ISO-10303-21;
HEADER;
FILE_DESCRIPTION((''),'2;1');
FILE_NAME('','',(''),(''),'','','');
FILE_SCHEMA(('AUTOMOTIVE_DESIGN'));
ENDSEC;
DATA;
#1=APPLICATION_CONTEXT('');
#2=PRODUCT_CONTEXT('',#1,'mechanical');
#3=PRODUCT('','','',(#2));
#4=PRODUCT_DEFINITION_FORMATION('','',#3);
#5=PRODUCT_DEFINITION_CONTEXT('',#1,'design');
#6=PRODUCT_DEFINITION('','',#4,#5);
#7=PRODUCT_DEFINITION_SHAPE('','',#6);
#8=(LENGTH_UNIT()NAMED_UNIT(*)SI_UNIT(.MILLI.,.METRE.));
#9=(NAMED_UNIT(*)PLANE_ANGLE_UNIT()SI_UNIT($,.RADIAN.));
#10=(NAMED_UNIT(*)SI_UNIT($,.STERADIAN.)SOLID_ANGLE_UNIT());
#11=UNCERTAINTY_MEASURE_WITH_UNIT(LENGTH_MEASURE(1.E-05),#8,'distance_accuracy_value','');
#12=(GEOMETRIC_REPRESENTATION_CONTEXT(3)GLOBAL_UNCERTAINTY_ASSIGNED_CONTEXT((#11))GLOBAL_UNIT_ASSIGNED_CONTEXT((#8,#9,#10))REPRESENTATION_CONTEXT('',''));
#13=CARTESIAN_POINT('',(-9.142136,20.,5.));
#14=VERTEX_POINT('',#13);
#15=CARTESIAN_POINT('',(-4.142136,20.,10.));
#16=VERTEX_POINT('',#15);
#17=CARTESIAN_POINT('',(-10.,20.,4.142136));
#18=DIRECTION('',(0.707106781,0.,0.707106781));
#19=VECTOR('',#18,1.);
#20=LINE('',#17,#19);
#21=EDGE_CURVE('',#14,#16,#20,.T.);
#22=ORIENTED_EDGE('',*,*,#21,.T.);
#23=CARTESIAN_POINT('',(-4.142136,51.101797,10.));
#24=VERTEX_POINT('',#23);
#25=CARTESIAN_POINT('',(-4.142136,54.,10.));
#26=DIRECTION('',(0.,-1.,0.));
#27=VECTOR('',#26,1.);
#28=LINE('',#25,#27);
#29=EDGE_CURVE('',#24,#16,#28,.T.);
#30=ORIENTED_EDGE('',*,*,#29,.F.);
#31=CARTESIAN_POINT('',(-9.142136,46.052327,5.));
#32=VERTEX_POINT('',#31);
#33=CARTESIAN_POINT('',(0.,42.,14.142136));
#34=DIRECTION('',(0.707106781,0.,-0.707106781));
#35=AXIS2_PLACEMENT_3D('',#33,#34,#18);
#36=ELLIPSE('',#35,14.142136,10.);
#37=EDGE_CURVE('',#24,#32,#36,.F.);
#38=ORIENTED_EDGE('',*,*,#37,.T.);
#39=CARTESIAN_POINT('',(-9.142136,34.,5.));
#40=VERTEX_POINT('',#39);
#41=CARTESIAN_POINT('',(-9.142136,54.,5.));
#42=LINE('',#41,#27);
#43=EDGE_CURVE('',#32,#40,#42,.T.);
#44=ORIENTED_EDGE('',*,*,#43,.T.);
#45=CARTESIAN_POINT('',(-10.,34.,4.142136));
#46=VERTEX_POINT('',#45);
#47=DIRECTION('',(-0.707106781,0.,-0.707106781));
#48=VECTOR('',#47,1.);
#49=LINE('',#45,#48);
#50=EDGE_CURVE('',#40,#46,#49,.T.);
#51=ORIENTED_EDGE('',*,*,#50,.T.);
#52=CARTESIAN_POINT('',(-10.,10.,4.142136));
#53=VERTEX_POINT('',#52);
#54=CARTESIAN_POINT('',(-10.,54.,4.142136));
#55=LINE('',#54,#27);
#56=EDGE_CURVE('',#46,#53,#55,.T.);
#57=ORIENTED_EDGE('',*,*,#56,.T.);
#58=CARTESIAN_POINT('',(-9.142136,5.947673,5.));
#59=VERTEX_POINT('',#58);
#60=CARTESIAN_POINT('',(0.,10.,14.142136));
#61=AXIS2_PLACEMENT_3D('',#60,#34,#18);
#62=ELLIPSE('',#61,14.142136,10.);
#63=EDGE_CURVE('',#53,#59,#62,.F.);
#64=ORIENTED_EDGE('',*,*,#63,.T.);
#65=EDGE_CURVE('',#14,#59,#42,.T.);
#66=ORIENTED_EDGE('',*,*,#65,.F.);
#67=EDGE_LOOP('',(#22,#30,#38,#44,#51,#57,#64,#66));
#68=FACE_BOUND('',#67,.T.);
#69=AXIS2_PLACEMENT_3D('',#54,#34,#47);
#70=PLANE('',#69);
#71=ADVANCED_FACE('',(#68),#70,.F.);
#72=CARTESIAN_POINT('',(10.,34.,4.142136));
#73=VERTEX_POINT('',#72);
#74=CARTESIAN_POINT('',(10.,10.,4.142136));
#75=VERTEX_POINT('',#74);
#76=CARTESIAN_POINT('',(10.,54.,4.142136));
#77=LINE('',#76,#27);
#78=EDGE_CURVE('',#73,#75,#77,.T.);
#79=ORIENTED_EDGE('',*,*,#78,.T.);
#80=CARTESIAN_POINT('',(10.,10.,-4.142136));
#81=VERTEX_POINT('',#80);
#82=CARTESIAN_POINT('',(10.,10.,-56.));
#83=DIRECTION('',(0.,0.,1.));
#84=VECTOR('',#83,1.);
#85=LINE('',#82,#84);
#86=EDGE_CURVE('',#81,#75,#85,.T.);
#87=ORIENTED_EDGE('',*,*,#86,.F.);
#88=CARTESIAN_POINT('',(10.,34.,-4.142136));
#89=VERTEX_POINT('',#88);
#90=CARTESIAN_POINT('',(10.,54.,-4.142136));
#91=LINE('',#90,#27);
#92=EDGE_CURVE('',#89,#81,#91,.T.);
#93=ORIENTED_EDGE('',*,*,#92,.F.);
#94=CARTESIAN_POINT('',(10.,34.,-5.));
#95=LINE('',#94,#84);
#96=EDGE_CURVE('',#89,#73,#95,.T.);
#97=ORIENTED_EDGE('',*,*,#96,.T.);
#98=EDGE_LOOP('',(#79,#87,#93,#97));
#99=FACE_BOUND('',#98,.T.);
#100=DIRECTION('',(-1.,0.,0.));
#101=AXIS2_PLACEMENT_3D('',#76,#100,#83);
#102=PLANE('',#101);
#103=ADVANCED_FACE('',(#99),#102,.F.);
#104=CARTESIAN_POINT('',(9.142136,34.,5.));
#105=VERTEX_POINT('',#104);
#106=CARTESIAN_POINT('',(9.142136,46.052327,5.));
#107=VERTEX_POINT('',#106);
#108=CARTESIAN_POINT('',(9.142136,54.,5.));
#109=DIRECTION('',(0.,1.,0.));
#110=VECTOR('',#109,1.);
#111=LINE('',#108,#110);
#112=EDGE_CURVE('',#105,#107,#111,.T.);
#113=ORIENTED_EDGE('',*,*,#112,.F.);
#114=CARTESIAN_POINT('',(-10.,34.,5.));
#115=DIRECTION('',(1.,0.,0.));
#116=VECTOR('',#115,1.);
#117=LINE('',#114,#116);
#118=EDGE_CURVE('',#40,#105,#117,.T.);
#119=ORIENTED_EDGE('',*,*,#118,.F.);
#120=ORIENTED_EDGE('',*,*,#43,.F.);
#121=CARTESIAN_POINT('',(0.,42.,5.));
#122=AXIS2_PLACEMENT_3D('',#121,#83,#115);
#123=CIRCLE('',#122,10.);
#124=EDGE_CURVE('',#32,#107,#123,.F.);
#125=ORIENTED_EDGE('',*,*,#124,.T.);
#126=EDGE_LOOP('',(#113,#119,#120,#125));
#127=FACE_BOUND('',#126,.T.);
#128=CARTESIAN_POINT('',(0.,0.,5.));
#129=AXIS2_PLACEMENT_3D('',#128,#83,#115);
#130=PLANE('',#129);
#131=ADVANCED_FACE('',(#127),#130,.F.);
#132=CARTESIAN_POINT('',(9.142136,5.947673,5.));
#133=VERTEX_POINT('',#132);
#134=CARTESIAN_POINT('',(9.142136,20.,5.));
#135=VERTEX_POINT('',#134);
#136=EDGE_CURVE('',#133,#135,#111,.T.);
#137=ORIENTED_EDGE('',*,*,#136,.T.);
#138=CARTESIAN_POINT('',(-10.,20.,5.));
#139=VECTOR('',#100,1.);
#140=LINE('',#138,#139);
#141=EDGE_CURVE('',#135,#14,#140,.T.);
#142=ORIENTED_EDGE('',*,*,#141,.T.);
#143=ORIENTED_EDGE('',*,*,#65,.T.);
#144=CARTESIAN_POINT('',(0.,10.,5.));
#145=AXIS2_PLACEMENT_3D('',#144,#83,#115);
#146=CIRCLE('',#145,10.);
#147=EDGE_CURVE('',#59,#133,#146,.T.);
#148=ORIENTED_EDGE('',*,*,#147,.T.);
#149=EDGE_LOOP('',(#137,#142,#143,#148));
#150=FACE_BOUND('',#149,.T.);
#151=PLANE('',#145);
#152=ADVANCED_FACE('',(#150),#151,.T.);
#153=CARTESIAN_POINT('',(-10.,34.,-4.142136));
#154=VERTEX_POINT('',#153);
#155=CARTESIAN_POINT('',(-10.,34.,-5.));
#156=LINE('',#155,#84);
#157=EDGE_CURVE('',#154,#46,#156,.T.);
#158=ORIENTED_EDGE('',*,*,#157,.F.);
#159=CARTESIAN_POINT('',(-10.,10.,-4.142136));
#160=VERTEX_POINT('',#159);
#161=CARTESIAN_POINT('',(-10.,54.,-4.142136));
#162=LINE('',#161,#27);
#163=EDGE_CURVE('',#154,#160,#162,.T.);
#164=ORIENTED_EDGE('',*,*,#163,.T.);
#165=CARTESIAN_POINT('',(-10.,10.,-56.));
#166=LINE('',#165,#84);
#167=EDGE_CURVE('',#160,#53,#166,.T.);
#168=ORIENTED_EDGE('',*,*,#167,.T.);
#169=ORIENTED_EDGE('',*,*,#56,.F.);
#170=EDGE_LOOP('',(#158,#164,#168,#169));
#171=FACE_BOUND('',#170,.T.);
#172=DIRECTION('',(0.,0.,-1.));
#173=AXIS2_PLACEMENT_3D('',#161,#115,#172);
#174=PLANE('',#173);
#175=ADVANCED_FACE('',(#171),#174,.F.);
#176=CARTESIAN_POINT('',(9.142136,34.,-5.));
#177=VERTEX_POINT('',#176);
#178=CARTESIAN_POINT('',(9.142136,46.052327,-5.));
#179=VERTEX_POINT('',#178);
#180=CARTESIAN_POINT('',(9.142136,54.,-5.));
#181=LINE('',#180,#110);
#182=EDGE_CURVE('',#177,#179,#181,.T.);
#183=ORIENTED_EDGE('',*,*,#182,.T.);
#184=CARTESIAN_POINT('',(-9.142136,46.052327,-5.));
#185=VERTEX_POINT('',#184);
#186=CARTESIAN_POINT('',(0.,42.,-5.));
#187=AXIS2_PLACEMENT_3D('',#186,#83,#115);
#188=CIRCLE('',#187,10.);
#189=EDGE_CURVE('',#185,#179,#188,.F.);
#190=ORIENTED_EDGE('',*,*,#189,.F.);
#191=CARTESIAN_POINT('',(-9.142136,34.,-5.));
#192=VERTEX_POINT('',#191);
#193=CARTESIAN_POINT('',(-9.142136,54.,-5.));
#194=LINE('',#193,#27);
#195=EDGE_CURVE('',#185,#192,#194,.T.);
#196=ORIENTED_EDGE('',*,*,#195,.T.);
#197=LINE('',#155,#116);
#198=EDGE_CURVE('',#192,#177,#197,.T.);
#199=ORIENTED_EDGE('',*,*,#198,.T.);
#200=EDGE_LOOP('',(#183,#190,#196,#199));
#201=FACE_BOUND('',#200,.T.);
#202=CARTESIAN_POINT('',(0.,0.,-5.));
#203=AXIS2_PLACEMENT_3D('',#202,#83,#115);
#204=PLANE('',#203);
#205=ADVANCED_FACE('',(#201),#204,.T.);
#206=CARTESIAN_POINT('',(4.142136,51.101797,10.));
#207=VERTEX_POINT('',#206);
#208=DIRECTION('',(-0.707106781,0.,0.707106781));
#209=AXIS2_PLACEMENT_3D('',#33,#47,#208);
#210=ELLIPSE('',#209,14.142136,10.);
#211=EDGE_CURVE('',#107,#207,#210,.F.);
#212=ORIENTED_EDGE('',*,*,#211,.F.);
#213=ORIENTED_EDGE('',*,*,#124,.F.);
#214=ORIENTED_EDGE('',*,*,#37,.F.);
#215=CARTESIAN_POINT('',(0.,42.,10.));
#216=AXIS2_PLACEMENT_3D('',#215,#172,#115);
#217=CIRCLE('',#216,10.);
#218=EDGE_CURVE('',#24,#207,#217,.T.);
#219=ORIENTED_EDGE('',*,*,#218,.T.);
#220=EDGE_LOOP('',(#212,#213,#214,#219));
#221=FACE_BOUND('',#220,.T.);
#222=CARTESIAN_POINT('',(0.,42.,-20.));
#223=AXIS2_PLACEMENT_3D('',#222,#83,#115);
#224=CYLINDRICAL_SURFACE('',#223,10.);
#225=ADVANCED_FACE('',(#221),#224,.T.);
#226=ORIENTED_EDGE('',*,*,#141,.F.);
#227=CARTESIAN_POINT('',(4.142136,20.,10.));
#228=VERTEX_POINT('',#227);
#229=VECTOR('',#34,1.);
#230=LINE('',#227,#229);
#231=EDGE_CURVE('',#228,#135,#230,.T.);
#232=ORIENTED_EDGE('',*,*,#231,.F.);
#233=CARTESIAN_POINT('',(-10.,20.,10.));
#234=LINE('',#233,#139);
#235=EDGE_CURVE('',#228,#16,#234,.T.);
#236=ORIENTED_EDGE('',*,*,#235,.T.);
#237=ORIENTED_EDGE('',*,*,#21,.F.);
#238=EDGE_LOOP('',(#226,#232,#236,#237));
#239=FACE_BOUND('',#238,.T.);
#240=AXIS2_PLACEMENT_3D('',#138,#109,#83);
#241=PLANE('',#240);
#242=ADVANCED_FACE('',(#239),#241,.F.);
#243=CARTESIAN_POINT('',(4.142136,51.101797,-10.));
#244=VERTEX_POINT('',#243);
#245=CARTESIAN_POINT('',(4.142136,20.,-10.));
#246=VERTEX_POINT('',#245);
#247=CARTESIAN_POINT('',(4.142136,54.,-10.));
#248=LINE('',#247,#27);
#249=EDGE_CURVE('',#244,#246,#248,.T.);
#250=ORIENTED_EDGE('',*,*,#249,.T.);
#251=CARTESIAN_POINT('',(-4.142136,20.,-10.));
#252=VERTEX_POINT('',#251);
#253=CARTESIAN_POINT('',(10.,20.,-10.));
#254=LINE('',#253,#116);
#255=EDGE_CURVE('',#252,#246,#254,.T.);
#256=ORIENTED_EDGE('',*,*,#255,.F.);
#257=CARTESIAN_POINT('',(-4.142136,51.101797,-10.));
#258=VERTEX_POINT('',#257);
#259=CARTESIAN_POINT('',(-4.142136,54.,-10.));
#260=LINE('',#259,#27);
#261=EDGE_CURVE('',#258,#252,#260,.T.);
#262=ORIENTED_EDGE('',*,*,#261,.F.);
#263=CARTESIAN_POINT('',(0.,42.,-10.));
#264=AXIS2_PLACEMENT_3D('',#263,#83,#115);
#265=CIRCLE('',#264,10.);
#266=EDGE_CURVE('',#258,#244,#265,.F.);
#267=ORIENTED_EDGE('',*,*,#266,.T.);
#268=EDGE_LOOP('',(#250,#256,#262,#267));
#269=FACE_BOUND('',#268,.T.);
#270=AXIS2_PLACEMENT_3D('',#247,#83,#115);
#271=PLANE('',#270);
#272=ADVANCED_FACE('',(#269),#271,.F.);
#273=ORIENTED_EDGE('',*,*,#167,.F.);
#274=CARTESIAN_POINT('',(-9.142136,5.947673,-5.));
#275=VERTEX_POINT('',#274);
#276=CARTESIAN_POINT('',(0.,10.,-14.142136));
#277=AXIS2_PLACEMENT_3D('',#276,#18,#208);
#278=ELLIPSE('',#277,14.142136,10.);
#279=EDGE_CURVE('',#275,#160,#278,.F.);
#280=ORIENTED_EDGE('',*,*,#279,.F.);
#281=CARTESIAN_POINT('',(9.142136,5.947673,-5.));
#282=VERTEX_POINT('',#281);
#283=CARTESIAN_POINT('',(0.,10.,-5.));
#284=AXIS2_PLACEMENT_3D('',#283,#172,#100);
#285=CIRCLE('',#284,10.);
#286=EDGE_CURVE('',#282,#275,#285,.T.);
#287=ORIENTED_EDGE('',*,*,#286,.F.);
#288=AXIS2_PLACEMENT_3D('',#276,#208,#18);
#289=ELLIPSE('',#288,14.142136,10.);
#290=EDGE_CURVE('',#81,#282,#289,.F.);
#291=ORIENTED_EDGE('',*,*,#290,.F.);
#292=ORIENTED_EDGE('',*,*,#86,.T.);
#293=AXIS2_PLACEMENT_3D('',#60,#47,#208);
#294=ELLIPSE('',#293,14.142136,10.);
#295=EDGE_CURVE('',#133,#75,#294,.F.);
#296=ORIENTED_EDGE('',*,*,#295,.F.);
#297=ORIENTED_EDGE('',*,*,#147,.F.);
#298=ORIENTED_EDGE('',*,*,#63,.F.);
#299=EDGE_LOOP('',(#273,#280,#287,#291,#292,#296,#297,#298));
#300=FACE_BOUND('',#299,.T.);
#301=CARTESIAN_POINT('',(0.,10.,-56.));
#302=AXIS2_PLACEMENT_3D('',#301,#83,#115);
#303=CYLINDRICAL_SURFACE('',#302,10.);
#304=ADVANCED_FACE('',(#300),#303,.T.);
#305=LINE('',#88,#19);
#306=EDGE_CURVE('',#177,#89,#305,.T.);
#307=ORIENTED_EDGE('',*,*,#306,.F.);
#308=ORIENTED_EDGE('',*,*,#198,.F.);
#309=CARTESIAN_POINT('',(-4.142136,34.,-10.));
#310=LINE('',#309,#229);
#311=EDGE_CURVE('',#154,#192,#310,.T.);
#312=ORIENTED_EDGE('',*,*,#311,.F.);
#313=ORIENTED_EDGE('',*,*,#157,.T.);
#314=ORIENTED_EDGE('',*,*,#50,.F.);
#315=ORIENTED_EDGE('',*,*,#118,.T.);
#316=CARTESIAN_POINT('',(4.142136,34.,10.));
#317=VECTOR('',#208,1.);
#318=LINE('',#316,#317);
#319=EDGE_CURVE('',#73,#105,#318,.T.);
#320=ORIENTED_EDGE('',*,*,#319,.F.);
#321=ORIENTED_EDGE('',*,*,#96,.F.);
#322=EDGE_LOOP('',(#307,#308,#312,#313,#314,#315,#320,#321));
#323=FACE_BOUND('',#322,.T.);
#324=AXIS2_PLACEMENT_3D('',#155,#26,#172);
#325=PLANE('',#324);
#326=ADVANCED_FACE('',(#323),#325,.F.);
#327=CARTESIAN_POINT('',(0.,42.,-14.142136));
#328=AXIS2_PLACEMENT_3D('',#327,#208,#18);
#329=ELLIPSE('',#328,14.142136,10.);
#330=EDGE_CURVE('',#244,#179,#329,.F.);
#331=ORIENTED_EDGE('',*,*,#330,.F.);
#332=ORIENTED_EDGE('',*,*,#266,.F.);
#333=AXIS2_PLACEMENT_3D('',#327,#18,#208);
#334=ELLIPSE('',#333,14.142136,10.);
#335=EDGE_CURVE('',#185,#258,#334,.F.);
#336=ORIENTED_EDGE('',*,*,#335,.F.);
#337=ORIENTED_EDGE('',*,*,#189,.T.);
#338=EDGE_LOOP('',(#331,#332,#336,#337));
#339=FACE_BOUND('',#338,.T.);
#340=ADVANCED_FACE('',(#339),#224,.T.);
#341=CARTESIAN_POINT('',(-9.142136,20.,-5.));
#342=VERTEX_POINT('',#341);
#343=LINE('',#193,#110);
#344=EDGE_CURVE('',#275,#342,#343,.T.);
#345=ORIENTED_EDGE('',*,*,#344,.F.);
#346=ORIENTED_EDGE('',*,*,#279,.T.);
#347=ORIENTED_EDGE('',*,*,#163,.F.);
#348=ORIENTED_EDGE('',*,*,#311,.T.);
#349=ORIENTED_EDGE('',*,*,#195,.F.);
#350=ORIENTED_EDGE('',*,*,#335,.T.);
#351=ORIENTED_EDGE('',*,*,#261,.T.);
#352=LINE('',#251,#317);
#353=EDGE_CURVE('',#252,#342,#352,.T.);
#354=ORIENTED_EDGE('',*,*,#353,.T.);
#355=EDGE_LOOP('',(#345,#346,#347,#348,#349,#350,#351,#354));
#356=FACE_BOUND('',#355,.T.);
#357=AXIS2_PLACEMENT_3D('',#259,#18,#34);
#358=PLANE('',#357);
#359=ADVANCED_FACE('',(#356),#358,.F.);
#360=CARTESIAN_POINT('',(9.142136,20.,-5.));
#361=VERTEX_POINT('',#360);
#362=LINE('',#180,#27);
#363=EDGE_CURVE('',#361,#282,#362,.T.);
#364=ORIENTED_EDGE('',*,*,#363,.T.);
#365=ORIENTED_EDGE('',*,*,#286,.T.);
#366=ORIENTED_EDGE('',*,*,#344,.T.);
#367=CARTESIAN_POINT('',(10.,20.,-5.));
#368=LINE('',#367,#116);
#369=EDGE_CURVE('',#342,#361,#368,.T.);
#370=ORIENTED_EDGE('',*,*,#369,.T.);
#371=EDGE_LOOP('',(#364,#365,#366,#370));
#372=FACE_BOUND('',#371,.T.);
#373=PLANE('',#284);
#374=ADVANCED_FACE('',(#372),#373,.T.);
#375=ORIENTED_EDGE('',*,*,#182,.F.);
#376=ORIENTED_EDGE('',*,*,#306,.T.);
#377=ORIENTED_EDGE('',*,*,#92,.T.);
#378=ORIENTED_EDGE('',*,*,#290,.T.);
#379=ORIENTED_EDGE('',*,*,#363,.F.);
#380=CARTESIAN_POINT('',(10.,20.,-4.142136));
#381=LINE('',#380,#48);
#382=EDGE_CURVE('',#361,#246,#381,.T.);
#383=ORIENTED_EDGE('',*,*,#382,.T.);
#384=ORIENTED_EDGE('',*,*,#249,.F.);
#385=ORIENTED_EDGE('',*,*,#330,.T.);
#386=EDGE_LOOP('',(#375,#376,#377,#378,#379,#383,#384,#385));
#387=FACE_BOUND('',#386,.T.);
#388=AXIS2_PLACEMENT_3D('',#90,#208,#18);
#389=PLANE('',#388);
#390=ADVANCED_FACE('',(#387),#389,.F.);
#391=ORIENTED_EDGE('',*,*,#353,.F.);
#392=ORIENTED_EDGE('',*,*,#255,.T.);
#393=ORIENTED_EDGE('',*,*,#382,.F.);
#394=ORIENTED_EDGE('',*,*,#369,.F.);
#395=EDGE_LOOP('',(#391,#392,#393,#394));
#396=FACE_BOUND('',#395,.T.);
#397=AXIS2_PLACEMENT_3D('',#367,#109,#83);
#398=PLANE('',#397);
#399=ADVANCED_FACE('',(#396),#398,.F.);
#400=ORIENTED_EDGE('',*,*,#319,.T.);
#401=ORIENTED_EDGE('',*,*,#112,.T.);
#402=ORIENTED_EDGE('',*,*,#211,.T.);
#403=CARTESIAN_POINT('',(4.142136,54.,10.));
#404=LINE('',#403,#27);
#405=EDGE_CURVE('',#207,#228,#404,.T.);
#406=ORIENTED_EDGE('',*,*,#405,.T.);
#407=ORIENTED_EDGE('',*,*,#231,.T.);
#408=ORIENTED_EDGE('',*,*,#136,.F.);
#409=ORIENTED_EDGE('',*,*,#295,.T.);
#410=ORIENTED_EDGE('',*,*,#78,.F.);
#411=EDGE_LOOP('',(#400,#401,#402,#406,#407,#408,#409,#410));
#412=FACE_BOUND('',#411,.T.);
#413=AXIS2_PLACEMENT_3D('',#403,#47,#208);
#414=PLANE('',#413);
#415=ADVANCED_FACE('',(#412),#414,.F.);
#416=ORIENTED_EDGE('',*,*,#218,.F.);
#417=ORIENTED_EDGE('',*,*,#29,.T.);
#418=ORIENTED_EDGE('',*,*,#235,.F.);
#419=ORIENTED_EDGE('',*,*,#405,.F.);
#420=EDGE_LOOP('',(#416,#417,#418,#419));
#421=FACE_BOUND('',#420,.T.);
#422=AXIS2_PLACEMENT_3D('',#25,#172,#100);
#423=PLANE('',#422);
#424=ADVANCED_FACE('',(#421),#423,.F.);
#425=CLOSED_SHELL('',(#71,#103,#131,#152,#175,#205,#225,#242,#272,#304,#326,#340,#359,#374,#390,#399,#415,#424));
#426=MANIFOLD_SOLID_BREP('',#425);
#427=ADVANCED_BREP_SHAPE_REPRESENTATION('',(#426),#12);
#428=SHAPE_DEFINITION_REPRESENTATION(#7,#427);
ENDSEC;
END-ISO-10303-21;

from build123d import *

# Parameters (mm, degrees)
EXTRUDE_1_DEPTH     = 54
CUT_EXTRUDE_1_DEPTH = 66
CUT_EXTRUDE_2_DEPTH = 5
CUT_EXTRUDE_START   = -5
CUT_EXTRUDE_3_DEPTH = 5
SKETCH_6_W          = 20
SKETCH_6_H          = 20
CUT_EXTRUDE_4_DEPTH = 5
CUT_EXTRUDE_5_DEPTH = 30


with BuildPart() as part:
    # 草图1 → 凸台-拉伸1 (new body)
    with BuildSketch(Plane(origin=(0, 0, 0), x_dir=(1, 0, 0), z_dir=(0, 1, 0))):
        Polygon((10, 4.142135624), (4.142135624, 10), (-4.142135624, 10), (-10, 4.142135624), (-10, -4.142135624), (-4.142135624, -10), (4.142135624, -10), (10, -4.142135624), align=None)
    extrude(amount=EXTRUDE_1_DEPTH)

    # 草图2 → 切除-拉伸1 (cut)
    with BuildSketch(Plane.XY.offset(10)):
        with BuildLine():
            Line((-10, 10), (-10, -2.389295552))
            Line((-10, -2.389295552), (10, -2.389295552))
            Line((10, -2.389295552), (10, 10))
            ThreePointArc((10, 10), (0, 0), (-10, 10))
        make_face()
    extrude(amount=-CUT_EXTRUDE_1_DEPTH, mode=Mode.SUBTRACT)

    # 草图4 → 切除-拉伸2 (cut)
    with BuildSketch(Plane.XY.offset(10)):
        with BuildLine():
            Line((-10, 10), (-10, 20))
            Line((-10, 20), (10, 20))
            Line((10, 20), (10, 10))
            ThreePointArc((10, 10), (0, 0), (-10, 10))
        make_face()
    extrude(amount=-CUT_EXTRUDE_2_DEPTH, mode=Mode.SUBTRACT)

    # 草图5 → 切除-拉伸3 (cut)
    with BuildSketch(Plane(origin=(0, 0, -10), x_dir=(-1, 0, 0), z_dir=(0, 0, -1)).offset(CUT_EXTRUDE_START)):
        with BuildLine():
            Line((-10, 10), (-10, 20))
            Line((-10, 20), (10, 20))
            Line((10, 20), (10, 10))
            ThreePointArc((10, 10), (0, 0), (-10, 10))
        make_face()
    extrude(amount=CUT_EXTRUDE_3_DEPTH, mode=Mode.SUBTRACT)

    # 草图6 → 切除-拉伸4 (cut, symmetric)
    with BuildSketch(Plane.XY):
        with Locations((0, 44)):
            Rectangle(SKETCH_6_W, SKETCH_6_H)
    extrude(amount=CUT_EXTRUDE_4_DEPTH, both=True, mode=Mode.SUBTRACT)

    # 草图7 → 切除-拉伸5 (cut)
    with BuildSketch(Plane.XY.offset(10)):
        with BuildLine():
            Line((-10, 42), (-10, 63.661192365))
            Line((-10, 63.661192365), (10, 63.661192365))
            Line((10, 63.661192365), (10, 42))
            ThreePointArc((10, 42), (0, 52), (-10, 42))
        make_face()
    extrude(amount=-CUT_EXTRUDE_5_DEPTH, mode=Mode.SUBTRACT)


solid = part.part
